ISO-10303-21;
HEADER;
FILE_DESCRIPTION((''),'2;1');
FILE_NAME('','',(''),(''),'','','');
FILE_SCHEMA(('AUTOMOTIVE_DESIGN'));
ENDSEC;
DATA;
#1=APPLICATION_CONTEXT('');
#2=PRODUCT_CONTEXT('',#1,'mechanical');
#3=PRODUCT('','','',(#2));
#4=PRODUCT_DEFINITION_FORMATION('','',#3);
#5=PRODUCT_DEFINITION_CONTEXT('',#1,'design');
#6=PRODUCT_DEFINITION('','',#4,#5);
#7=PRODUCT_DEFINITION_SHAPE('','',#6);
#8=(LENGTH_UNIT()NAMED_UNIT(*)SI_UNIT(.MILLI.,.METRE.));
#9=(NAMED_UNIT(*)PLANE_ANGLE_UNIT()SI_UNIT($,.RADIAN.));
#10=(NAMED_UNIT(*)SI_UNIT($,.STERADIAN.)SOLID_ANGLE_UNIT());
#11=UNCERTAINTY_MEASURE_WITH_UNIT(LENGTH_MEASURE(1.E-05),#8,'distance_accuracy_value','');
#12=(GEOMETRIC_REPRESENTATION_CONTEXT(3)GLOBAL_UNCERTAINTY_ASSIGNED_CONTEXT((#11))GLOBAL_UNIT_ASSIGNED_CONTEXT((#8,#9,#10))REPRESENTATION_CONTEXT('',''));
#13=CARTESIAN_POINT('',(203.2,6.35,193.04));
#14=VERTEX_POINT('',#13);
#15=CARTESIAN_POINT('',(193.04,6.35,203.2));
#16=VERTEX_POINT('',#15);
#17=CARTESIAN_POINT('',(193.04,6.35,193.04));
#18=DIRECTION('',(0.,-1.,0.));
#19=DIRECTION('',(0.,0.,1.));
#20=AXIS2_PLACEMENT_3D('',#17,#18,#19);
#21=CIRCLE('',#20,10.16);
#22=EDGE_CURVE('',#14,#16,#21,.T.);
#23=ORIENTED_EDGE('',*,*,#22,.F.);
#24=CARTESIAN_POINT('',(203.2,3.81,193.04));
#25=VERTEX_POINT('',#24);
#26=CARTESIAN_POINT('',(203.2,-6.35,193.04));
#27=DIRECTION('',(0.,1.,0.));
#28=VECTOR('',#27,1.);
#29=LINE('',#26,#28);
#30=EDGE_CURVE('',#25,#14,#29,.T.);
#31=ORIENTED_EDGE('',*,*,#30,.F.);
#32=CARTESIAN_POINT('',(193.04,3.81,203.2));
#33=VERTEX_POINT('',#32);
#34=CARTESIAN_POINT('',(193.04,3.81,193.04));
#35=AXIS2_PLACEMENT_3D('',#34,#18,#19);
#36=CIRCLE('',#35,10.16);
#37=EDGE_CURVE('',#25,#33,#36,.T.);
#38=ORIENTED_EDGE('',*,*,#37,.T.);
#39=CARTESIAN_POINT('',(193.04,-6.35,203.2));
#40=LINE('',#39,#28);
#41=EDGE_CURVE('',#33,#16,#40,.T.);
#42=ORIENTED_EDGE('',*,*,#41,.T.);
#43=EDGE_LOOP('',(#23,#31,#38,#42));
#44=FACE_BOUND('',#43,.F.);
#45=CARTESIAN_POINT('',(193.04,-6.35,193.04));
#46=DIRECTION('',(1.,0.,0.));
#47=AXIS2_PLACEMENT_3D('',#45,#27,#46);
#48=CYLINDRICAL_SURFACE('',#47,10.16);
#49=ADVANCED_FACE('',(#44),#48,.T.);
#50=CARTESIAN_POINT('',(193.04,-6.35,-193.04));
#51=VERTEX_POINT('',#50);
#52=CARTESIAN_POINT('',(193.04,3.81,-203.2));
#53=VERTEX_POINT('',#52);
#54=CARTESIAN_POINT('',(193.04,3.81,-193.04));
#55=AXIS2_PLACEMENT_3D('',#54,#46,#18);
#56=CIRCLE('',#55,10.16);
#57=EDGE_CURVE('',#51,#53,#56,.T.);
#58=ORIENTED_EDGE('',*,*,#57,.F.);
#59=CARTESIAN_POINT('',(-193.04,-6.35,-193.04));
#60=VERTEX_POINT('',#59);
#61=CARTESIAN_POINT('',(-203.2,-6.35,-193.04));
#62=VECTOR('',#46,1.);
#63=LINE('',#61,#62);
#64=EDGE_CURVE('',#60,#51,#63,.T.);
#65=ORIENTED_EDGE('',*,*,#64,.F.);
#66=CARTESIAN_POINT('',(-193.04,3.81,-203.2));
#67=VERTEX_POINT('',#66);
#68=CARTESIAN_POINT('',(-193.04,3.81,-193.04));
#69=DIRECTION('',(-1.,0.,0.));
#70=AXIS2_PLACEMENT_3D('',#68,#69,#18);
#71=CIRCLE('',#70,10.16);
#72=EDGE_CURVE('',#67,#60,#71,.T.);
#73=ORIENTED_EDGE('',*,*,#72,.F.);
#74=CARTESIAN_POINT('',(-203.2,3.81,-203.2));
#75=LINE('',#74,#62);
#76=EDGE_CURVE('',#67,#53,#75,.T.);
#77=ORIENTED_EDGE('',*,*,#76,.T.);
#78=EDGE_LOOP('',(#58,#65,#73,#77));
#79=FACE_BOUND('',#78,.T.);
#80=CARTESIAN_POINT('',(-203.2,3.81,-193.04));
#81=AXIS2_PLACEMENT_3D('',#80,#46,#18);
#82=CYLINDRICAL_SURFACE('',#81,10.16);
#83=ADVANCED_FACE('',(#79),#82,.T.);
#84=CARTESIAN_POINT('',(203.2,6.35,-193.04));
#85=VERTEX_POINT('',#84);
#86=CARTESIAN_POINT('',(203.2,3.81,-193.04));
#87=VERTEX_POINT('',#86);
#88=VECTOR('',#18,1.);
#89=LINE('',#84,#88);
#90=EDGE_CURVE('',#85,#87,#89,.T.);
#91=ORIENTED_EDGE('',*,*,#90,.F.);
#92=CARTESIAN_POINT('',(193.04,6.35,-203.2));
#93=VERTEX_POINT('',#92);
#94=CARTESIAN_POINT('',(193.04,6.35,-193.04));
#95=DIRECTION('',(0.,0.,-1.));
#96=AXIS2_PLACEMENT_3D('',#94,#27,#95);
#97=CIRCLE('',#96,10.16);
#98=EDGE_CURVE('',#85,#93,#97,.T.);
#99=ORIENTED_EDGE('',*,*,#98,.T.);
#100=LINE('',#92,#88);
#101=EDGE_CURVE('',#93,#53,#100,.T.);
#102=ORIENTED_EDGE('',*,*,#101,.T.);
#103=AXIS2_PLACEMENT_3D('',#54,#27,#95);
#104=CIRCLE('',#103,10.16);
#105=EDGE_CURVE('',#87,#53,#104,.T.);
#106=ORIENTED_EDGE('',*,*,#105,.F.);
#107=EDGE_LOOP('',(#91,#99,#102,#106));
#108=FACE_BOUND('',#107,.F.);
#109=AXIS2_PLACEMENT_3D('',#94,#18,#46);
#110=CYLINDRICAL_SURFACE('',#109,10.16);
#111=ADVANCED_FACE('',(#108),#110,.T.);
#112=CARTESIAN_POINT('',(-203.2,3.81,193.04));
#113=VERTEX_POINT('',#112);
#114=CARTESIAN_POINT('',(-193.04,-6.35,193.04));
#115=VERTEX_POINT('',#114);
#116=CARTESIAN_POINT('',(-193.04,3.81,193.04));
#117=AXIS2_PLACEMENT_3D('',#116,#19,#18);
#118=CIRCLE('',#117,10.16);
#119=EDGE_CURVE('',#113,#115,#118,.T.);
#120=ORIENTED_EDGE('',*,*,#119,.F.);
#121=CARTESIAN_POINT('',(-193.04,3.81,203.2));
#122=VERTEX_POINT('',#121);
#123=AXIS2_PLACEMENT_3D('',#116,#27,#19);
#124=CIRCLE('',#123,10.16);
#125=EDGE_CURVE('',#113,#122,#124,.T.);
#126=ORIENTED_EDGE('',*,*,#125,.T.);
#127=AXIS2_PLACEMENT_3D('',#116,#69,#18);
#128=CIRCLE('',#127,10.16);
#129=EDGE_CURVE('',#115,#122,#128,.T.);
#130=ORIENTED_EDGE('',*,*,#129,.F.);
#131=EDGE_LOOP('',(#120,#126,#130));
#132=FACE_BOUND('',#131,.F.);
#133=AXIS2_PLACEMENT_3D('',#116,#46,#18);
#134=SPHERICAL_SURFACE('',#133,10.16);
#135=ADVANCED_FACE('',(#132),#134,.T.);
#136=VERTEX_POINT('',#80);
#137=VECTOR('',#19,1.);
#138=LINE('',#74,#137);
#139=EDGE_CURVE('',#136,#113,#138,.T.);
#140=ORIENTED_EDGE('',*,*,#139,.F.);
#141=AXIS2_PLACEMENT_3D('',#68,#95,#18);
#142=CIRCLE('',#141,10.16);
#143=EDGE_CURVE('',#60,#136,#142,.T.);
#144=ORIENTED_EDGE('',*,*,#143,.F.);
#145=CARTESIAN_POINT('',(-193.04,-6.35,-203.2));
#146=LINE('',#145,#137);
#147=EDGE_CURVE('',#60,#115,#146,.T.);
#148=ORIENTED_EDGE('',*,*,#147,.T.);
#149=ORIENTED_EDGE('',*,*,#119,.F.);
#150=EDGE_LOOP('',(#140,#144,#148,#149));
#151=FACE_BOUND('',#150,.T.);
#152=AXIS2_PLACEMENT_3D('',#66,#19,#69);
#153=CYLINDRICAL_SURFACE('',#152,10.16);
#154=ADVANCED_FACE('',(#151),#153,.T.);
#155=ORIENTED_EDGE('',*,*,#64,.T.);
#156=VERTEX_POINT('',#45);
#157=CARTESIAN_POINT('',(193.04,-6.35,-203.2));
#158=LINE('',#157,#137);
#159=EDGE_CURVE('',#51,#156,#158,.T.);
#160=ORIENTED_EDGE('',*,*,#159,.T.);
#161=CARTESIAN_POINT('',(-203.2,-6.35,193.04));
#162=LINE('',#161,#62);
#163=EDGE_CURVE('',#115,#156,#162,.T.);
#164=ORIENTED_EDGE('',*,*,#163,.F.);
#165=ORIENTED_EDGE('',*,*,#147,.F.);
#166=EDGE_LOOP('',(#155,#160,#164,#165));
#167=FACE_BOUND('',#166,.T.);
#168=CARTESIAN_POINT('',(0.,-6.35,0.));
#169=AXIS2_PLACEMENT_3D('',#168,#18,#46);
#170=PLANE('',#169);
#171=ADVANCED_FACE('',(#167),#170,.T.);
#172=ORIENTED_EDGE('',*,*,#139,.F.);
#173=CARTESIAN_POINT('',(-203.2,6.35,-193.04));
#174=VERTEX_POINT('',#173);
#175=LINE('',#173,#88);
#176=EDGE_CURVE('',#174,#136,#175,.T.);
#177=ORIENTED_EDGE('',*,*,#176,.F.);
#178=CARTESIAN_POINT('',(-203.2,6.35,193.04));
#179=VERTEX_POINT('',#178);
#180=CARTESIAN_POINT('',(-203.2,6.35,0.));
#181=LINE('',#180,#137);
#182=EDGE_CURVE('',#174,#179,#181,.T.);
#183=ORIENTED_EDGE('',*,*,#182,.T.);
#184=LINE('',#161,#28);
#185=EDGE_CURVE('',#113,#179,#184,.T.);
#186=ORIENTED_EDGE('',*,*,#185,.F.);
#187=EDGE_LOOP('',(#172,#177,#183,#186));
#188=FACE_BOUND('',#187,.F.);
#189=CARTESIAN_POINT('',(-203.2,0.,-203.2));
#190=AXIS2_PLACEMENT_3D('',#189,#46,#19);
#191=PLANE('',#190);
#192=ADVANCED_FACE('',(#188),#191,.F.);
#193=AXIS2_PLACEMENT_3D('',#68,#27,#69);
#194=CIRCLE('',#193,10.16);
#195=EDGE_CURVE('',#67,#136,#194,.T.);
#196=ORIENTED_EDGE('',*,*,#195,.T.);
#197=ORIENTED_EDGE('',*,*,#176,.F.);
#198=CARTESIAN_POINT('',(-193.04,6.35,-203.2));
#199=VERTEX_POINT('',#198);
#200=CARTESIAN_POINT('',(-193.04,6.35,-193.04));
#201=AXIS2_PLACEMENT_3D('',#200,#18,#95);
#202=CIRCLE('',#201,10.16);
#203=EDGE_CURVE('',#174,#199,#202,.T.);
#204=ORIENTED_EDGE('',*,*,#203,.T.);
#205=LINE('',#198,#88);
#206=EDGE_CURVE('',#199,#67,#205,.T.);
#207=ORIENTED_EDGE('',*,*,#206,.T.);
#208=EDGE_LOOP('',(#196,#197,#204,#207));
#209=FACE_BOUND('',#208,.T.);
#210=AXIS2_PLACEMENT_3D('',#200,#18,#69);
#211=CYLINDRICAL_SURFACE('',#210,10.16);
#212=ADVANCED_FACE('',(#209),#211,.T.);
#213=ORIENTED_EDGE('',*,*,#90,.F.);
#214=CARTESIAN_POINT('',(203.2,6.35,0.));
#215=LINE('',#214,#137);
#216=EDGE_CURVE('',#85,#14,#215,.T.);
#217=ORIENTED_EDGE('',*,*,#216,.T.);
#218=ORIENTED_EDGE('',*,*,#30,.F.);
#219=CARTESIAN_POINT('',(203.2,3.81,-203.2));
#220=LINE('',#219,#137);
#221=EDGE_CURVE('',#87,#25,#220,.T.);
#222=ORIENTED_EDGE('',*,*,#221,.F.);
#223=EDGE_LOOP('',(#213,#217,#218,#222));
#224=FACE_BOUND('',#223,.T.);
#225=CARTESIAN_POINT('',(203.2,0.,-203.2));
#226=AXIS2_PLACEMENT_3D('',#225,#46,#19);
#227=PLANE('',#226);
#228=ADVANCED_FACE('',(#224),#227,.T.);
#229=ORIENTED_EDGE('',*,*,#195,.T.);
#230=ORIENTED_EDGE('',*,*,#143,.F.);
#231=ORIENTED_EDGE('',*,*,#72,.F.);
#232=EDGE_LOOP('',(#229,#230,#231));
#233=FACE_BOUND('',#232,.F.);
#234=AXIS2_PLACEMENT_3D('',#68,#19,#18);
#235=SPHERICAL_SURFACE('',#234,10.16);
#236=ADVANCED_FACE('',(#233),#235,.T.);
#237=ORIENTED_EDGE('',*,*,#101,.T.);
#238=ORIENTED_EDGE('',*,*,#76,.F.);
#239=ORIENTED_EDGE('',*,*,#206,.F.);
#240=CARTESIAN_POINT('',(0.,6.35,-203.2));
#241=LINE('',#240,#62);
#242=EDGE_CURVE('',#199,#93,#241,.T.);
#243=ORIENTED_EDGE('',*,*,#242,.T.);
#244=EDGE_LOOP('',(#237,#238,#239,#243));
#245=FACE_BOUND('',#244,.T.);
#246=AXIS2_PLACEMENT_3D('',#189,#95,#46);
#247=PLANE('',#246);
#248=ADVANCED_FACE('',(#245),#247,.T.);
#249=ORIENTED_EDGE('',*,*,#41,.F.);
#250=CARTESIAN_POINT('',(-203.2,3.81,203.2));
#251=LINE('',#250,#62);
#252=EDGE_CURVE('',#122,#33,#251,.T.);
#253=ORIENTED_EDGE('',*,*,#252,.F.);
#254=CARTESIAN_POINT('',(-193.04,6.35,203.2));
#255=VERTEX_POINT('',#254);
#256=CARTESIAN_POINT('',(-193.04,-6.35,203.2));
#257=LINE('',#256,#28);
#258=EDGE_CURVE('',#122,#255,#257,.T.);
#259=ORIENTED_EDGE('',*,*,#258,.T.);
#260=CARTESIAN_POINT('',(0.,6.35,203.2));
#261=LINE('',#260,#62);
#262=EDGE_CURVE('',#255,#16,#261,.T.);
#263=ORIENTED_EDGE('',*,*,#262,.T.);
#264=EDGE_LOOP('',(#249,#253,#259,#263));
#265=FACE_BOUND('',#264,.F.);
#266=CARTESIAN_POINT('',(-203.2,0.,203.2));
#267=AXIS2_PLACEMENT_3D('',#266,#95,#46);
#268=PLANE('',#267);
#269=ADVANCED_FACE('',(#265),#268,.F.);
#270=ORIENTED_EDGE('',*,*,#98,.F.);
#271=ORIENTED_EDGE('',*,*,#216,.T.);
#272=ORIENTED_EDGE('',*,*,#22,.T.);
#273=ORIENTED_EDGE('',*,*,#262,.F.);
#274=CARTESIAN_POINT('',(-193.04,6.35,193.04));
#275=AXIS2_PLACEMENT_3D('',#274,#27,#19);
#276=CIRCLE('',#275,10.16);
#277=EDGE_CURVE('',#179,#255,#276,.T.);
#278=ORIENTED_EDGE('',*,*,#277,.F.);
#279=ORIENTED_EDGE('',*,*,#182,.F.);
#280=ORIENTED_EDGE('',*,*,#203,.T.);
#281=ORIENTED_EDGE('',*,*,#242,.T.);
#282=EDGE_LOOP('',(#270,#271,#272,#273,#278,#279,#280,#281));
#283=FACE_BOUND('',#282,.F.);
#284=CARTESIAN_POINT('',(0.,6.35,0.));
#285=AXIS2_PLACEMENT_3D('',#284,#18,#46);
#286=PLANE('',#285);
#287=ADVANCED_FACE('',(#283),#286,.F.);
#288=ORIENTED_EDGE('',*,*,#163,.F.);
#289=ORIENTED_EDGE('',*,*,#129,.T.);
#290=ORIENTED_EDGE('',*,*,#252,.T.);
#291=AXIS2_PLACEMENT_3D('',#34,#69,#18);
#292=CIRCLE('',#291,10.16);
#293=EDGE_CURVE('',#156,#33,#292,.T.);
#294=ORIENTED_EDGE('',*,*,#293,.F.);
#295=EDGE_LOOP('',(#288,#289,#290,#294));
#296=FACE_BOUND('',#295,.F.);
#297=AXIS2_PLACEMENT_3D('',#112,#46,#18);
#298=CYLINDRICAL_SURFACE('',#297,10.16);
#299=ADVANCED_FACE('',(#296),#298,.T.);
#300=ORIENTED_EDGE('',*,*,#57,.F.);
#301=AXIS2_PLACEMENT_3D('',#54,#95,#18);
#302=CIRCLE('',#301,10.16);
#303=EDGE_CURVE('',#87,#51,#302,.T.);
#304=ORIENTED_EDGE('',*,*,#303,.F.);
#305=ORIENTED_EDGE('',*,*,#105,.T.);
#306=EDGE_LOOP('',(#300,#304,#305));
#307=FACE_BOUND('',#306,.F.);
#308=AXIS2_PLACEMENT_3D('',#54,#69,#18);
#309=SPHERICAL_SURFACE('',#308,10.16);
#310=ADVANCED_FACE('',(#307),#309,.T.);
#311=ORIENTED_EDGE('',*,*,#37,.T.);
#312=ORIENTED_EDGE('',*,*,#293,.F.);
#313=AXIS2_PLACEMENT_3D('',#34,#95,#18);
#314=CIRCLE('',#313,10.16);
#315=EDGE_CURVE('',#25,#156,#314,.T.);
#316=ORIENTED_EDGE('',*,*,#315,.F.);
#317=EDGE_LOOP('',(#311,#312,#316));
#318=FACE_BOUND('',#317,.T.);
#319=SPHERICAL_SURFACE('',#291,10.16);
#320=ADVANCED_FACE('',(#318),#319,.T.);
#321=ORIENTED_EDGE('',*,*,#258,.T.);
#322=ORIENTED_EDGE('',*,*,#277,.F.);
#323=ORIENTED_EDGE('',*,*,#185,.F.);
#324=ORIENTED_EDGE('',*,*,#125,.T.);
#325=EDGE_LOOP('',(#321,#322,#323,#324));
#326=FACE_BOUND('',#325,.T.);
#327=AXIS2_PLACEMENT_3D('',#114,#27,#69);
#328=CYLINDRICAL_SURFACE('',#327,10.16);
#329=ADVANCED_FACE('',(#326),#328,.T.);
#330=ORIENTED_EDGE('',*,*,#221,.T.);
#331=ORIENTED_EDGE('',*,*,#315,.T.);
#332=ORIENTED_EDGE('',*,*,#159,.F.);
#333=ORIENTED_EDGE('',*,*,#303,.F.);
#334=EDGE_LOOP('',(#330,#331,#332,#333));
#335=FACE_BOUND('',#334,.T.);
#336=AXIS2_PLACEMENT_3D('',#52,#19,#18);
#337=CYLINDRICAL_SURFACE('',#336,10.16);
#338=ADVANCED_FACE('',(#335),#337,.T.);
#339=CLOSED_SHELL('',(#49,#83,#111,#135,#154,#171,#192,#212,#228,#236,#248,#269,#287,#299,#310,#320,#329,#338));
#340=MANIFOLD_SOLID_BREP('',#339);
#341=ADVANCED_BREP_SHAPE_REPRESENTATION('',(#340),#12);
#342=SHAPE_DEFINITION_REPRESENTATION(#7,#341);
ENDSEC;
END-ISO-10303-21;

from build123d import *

# Parameters (mm, degrees)
F0_W     = 406.4
F0_H     = 406.4
F1_DEPTH = 6.35
F2_R     = 10.16


with BuildPart() as f1:
    # F0 (on Front) → F1 (new body, symmetric)
    with BuildSketch(Plane.XZ):
        Rectangle(F0_W, F0_H)
    extrude(amount=F1_DEPTH, both=True)

    # F2
    f2_edges = [f1.edges().sort_by_distance(p)[0] for p in [
        (0, -6.35, 203.2),
        (-203.2, -6.35, 0),
        (0, -6.35, -203.2),
        (203.2, -6.35, 0),
        (-203.2, 0, -203.2),
        (-203.2, 0, 203.2),
        (203.2, 0, 203.2),
        (203.2, 0, -203.2),
    ]]
    fillet(f2_edges, radius=F2_R)


solid = f1.part
